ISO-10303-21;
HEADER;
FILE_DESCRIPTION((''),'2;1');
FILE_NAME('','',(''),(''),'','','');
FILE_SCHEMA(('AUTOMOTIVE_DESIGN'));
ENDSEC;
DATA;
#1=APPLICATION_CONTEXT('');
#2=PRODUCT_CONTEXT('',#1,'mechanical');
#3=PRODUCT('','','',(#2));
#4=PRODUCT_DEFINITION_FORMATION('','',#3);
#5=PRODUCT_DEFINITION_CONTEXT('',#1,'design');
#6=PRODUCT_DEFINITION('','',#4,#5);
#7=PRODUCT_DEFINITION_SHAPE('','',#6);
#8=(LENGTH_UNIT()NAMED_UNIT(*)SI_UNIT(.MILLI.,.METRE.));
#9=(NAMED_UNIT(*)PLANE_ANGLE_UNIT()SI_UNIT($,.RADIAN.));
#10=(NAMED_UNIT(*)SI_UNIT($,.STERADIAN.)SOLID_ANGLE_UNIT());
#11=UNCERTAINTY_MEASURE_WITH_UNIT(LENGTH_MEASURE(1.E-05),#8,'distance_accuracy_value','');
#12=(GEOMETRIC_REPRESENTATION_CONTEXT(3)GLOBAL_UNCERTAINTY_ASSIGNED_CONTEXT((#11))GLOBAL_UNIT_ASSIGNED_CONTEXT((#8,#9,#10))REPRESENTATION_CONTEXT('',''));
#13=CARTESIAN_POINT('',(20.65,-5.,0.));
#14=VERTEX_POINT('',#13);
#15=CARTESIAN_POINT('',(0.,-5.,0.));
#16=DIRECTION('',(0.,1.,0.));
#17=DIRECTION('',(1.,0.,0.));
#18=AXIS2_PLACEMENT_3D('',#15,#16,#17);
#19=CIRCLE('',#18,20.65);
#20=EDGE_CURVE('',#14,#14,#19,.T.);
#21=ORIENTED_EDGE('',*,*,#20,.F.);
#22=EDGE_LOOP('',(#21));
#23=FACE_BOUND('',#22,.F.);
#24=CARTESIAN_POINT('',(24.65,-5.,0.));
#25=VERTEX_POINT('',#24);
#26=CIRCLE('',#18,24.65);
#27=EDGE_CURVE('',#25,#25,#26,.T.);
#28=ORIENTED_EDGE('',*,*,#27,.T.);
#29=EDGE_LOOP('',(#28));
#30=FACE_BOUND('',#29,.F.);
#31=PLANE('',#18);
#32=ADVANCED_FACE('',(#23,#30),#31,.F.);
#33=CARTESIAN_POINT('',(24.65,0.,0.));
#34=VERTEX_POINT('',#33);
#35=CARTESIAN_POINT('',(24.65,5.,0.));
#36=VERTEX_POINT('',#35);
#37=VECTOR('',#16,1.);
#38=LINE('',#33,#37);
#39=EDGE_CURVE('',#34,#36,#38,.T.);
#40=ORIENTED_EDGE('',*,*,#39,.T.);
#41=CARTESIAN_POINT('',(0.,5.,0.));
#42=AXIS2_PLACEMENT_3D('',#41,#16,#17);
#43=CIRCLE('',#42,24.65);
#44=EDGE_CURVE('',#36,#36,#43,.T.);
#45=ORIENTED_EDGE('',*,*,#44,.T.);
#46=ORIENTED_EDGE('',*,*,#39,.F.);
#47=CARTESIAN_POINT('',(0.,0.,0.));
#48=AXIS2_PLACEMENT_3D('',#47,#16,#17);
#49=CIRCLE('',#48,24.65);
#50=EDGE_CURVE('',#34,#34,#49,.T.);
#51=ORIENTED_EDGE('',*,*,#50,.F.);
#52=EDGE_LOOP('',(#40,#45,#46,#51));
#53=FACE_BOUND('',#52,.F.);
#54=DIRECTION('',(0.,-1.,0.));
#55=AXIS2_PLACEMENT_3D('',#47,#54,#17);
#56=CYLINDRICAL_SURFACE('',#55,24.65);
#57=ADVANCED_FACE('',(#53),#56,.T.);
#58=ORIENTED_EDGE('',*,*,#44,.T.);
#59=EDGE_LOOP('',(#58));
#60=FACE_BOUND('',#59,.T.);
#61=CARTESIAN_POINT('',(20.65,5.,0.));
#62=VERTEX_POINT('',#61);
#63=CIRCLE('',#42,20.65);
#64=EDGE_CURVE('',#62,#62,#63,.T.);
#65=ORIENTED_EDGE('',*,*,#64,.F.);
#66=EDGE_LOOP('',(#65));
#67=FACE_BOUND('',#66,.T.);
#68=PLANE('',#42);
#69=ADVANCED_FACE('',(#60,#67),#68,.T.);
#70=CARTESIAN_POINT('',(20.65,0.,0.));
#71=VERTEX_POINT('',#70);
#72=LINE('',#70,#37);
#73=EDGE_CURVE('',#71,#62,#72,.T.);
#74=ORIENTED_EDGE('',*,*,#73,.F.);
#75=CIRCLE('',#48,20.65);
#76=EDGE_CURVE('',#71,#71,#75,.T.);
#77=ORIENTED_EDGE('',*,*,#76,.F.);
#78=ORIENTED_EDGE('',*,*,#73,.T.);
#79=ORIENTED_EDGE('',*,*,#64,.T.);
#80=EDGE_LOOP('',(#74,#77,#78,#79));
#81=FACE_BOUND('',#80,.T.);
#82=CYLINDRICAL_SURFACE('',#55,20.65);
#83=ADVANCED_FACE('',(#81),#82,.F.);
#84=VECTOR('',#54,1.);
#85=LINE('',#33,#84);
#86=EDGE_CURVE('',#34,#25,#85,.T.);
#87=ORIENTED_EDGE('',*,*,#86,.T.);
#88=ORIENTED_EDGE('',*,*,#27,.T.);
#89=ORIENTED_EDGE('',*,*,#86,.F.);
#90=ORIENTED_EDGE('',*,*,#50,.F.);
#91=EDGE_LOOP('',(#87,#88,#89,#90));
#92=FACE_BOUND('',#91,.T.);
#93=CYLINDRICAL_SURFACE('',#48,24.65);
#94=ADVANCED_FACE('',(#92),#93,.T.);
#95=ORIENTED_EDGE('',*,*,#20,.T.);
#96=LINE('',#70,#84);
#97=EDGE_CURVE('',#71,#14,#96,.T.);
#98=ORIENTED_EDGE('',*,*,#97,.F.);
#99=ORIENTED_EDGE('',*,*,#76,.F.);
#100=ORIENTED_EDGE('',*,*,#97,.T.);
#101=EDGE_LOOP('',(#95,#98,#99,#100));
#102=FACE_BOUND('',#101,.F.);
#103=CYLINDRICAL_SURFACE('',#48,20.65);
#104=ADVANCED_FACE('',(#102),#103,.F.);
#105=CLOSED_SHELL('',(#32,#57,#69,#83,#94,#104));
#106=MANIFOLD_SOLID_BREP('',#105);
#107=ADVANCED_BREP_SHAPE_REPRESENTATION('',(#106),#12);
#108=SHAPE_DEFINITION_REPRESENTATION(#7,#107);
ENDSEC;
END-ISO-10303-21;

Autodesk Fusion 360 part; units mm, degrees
sketch "Sketch1" plane through (0, 0, 0) normal (0, 1, 0) x (1, 0, 0)
  circle A0 centre (0, 0) radius 25.4 construction
  circle A1 centre (0, 0) radius 24.65
  circle A2 centre (0, 0) radius 20.65
  dimension "d6" = -0.75
  dimension "d7" = 50.8
  dimension "d8" = -4.75
extrude "Extrude1" add sketch "Sketch1" along normal mid plane 10
equation "cardboard_offset = -0.75 mm"
equation "d6 = cardboard_offset"
equation "d8 = cardboard_offset - 4 mm"
